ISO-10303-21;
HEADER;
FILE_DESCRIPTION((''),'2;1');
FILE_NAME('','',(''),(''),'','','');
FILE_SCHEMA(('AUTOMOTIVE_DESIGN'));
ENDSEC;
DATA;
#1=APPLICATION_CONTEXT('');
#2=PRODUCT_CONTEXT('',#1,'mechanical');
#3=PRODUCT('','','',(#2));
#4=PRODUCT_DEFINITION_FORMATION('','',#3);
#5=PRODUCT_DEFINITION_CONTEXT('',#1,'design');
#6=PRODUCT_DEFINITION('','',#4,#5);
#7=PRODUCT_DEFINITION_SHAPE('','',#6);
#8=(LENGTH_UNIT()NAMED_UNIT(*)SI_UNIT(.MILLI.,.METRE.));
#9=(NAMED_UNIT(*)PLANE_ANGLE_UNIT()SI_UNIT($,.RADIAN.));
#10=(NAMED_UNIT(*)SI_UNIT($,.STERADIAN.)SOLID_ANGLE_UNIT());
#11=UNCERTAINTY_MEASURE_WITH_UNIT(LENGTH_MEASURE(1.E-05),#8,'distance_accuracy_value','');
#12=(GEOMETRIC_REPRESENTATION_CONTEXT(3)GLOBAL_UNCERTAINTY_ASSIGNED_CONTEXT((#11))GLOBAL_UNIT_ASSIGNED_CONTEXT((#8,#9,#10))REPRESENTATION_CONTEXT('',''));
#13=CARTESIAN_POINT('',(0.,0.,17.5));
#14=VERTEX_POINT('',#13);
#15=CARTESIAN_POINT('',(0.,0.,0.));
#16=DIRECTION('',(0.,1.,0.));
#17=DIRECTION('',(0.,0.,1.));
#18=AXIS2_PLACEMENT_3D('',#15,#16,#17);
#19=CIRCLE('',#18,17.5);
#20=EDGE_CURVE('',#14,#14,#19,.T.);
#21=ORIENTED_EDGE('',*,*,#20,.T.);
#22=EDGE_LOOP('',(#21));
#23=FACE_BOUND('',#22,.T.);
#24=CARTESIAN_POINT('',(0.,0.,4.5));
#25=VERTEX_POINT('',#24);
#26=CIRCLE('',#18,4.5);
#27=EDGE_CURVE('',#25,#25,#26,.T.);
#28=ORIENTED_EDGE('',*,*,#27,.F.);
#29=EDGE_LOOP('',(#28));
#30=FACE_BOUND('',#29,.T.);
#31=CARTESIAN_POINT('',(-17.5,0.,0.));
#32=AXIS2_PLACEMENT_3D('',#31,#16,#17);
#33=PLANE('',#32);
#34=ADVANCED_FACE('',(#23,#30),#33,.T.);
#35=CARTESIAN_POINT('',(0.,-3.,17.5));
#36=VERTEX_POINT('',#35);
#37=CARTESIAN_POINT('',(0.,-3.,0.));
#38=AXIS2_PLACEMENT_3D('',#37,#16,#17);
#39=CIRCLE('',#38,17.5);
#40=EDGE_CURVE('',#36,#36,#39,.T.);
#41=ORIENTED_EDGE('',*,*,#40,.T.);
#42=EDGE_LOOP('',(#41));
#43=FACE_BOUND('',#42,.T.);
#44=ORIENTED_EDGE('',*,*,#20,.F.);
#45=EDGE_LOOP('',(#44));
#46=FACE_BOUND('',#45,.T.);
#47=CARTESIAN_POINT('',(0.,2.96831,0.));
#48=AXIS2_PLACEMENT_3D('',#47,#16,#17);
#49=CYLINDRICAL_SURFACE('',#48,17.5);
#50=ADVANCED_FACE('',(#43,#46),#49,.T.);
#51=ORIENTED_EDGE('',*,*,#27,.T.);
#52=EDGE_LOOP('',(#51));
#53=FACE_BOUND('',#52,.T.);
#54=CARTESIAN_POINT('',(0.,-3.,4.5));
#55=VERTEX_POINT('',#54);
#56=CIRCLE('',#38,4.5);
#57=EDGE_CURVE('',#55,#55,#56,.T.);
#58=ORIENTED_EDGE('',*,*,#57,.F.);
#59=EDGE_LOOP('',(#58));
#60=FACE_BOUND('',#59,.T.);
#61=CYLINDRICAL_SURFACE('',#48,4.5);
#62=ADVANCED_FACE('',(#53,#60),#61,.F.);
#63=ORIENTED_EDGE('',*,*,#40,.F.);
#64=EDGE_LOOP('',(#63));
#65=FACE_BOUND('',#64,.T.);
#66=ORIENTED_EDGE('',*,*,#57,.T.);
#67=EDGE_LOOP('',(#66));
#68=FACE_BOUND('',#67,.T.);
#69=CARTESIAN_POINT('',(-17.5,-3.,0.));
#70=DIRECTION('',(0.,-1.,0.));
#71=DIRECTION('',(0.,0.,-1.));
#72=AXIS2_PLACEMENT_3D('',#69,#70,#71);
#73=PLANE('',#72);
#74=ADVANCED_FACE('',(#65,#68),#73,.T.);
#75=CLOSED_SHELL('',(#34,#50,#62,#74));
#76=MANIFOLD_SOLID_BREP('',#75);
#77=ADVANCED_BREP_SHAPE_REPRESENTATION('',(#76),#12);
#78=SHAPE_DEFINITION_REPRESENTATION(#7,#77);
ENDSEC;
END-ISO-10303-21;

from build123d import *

# Parameters (mm, degrees)
SKETCH1_W = 13
SKETCH1_H = 3


with BuildPart() as part:
    # Sketch1 → Revolve1 (revolve)
    with BuildSketch(Plane.XY):
        with Locations((-11, -1.5)):
            Rectangle(SKETCH1_W, SKETCH1_H)
    revolve(axis=Axis((0, 2.968309859, 0), (0, -1, 0)))


solid = part.part
